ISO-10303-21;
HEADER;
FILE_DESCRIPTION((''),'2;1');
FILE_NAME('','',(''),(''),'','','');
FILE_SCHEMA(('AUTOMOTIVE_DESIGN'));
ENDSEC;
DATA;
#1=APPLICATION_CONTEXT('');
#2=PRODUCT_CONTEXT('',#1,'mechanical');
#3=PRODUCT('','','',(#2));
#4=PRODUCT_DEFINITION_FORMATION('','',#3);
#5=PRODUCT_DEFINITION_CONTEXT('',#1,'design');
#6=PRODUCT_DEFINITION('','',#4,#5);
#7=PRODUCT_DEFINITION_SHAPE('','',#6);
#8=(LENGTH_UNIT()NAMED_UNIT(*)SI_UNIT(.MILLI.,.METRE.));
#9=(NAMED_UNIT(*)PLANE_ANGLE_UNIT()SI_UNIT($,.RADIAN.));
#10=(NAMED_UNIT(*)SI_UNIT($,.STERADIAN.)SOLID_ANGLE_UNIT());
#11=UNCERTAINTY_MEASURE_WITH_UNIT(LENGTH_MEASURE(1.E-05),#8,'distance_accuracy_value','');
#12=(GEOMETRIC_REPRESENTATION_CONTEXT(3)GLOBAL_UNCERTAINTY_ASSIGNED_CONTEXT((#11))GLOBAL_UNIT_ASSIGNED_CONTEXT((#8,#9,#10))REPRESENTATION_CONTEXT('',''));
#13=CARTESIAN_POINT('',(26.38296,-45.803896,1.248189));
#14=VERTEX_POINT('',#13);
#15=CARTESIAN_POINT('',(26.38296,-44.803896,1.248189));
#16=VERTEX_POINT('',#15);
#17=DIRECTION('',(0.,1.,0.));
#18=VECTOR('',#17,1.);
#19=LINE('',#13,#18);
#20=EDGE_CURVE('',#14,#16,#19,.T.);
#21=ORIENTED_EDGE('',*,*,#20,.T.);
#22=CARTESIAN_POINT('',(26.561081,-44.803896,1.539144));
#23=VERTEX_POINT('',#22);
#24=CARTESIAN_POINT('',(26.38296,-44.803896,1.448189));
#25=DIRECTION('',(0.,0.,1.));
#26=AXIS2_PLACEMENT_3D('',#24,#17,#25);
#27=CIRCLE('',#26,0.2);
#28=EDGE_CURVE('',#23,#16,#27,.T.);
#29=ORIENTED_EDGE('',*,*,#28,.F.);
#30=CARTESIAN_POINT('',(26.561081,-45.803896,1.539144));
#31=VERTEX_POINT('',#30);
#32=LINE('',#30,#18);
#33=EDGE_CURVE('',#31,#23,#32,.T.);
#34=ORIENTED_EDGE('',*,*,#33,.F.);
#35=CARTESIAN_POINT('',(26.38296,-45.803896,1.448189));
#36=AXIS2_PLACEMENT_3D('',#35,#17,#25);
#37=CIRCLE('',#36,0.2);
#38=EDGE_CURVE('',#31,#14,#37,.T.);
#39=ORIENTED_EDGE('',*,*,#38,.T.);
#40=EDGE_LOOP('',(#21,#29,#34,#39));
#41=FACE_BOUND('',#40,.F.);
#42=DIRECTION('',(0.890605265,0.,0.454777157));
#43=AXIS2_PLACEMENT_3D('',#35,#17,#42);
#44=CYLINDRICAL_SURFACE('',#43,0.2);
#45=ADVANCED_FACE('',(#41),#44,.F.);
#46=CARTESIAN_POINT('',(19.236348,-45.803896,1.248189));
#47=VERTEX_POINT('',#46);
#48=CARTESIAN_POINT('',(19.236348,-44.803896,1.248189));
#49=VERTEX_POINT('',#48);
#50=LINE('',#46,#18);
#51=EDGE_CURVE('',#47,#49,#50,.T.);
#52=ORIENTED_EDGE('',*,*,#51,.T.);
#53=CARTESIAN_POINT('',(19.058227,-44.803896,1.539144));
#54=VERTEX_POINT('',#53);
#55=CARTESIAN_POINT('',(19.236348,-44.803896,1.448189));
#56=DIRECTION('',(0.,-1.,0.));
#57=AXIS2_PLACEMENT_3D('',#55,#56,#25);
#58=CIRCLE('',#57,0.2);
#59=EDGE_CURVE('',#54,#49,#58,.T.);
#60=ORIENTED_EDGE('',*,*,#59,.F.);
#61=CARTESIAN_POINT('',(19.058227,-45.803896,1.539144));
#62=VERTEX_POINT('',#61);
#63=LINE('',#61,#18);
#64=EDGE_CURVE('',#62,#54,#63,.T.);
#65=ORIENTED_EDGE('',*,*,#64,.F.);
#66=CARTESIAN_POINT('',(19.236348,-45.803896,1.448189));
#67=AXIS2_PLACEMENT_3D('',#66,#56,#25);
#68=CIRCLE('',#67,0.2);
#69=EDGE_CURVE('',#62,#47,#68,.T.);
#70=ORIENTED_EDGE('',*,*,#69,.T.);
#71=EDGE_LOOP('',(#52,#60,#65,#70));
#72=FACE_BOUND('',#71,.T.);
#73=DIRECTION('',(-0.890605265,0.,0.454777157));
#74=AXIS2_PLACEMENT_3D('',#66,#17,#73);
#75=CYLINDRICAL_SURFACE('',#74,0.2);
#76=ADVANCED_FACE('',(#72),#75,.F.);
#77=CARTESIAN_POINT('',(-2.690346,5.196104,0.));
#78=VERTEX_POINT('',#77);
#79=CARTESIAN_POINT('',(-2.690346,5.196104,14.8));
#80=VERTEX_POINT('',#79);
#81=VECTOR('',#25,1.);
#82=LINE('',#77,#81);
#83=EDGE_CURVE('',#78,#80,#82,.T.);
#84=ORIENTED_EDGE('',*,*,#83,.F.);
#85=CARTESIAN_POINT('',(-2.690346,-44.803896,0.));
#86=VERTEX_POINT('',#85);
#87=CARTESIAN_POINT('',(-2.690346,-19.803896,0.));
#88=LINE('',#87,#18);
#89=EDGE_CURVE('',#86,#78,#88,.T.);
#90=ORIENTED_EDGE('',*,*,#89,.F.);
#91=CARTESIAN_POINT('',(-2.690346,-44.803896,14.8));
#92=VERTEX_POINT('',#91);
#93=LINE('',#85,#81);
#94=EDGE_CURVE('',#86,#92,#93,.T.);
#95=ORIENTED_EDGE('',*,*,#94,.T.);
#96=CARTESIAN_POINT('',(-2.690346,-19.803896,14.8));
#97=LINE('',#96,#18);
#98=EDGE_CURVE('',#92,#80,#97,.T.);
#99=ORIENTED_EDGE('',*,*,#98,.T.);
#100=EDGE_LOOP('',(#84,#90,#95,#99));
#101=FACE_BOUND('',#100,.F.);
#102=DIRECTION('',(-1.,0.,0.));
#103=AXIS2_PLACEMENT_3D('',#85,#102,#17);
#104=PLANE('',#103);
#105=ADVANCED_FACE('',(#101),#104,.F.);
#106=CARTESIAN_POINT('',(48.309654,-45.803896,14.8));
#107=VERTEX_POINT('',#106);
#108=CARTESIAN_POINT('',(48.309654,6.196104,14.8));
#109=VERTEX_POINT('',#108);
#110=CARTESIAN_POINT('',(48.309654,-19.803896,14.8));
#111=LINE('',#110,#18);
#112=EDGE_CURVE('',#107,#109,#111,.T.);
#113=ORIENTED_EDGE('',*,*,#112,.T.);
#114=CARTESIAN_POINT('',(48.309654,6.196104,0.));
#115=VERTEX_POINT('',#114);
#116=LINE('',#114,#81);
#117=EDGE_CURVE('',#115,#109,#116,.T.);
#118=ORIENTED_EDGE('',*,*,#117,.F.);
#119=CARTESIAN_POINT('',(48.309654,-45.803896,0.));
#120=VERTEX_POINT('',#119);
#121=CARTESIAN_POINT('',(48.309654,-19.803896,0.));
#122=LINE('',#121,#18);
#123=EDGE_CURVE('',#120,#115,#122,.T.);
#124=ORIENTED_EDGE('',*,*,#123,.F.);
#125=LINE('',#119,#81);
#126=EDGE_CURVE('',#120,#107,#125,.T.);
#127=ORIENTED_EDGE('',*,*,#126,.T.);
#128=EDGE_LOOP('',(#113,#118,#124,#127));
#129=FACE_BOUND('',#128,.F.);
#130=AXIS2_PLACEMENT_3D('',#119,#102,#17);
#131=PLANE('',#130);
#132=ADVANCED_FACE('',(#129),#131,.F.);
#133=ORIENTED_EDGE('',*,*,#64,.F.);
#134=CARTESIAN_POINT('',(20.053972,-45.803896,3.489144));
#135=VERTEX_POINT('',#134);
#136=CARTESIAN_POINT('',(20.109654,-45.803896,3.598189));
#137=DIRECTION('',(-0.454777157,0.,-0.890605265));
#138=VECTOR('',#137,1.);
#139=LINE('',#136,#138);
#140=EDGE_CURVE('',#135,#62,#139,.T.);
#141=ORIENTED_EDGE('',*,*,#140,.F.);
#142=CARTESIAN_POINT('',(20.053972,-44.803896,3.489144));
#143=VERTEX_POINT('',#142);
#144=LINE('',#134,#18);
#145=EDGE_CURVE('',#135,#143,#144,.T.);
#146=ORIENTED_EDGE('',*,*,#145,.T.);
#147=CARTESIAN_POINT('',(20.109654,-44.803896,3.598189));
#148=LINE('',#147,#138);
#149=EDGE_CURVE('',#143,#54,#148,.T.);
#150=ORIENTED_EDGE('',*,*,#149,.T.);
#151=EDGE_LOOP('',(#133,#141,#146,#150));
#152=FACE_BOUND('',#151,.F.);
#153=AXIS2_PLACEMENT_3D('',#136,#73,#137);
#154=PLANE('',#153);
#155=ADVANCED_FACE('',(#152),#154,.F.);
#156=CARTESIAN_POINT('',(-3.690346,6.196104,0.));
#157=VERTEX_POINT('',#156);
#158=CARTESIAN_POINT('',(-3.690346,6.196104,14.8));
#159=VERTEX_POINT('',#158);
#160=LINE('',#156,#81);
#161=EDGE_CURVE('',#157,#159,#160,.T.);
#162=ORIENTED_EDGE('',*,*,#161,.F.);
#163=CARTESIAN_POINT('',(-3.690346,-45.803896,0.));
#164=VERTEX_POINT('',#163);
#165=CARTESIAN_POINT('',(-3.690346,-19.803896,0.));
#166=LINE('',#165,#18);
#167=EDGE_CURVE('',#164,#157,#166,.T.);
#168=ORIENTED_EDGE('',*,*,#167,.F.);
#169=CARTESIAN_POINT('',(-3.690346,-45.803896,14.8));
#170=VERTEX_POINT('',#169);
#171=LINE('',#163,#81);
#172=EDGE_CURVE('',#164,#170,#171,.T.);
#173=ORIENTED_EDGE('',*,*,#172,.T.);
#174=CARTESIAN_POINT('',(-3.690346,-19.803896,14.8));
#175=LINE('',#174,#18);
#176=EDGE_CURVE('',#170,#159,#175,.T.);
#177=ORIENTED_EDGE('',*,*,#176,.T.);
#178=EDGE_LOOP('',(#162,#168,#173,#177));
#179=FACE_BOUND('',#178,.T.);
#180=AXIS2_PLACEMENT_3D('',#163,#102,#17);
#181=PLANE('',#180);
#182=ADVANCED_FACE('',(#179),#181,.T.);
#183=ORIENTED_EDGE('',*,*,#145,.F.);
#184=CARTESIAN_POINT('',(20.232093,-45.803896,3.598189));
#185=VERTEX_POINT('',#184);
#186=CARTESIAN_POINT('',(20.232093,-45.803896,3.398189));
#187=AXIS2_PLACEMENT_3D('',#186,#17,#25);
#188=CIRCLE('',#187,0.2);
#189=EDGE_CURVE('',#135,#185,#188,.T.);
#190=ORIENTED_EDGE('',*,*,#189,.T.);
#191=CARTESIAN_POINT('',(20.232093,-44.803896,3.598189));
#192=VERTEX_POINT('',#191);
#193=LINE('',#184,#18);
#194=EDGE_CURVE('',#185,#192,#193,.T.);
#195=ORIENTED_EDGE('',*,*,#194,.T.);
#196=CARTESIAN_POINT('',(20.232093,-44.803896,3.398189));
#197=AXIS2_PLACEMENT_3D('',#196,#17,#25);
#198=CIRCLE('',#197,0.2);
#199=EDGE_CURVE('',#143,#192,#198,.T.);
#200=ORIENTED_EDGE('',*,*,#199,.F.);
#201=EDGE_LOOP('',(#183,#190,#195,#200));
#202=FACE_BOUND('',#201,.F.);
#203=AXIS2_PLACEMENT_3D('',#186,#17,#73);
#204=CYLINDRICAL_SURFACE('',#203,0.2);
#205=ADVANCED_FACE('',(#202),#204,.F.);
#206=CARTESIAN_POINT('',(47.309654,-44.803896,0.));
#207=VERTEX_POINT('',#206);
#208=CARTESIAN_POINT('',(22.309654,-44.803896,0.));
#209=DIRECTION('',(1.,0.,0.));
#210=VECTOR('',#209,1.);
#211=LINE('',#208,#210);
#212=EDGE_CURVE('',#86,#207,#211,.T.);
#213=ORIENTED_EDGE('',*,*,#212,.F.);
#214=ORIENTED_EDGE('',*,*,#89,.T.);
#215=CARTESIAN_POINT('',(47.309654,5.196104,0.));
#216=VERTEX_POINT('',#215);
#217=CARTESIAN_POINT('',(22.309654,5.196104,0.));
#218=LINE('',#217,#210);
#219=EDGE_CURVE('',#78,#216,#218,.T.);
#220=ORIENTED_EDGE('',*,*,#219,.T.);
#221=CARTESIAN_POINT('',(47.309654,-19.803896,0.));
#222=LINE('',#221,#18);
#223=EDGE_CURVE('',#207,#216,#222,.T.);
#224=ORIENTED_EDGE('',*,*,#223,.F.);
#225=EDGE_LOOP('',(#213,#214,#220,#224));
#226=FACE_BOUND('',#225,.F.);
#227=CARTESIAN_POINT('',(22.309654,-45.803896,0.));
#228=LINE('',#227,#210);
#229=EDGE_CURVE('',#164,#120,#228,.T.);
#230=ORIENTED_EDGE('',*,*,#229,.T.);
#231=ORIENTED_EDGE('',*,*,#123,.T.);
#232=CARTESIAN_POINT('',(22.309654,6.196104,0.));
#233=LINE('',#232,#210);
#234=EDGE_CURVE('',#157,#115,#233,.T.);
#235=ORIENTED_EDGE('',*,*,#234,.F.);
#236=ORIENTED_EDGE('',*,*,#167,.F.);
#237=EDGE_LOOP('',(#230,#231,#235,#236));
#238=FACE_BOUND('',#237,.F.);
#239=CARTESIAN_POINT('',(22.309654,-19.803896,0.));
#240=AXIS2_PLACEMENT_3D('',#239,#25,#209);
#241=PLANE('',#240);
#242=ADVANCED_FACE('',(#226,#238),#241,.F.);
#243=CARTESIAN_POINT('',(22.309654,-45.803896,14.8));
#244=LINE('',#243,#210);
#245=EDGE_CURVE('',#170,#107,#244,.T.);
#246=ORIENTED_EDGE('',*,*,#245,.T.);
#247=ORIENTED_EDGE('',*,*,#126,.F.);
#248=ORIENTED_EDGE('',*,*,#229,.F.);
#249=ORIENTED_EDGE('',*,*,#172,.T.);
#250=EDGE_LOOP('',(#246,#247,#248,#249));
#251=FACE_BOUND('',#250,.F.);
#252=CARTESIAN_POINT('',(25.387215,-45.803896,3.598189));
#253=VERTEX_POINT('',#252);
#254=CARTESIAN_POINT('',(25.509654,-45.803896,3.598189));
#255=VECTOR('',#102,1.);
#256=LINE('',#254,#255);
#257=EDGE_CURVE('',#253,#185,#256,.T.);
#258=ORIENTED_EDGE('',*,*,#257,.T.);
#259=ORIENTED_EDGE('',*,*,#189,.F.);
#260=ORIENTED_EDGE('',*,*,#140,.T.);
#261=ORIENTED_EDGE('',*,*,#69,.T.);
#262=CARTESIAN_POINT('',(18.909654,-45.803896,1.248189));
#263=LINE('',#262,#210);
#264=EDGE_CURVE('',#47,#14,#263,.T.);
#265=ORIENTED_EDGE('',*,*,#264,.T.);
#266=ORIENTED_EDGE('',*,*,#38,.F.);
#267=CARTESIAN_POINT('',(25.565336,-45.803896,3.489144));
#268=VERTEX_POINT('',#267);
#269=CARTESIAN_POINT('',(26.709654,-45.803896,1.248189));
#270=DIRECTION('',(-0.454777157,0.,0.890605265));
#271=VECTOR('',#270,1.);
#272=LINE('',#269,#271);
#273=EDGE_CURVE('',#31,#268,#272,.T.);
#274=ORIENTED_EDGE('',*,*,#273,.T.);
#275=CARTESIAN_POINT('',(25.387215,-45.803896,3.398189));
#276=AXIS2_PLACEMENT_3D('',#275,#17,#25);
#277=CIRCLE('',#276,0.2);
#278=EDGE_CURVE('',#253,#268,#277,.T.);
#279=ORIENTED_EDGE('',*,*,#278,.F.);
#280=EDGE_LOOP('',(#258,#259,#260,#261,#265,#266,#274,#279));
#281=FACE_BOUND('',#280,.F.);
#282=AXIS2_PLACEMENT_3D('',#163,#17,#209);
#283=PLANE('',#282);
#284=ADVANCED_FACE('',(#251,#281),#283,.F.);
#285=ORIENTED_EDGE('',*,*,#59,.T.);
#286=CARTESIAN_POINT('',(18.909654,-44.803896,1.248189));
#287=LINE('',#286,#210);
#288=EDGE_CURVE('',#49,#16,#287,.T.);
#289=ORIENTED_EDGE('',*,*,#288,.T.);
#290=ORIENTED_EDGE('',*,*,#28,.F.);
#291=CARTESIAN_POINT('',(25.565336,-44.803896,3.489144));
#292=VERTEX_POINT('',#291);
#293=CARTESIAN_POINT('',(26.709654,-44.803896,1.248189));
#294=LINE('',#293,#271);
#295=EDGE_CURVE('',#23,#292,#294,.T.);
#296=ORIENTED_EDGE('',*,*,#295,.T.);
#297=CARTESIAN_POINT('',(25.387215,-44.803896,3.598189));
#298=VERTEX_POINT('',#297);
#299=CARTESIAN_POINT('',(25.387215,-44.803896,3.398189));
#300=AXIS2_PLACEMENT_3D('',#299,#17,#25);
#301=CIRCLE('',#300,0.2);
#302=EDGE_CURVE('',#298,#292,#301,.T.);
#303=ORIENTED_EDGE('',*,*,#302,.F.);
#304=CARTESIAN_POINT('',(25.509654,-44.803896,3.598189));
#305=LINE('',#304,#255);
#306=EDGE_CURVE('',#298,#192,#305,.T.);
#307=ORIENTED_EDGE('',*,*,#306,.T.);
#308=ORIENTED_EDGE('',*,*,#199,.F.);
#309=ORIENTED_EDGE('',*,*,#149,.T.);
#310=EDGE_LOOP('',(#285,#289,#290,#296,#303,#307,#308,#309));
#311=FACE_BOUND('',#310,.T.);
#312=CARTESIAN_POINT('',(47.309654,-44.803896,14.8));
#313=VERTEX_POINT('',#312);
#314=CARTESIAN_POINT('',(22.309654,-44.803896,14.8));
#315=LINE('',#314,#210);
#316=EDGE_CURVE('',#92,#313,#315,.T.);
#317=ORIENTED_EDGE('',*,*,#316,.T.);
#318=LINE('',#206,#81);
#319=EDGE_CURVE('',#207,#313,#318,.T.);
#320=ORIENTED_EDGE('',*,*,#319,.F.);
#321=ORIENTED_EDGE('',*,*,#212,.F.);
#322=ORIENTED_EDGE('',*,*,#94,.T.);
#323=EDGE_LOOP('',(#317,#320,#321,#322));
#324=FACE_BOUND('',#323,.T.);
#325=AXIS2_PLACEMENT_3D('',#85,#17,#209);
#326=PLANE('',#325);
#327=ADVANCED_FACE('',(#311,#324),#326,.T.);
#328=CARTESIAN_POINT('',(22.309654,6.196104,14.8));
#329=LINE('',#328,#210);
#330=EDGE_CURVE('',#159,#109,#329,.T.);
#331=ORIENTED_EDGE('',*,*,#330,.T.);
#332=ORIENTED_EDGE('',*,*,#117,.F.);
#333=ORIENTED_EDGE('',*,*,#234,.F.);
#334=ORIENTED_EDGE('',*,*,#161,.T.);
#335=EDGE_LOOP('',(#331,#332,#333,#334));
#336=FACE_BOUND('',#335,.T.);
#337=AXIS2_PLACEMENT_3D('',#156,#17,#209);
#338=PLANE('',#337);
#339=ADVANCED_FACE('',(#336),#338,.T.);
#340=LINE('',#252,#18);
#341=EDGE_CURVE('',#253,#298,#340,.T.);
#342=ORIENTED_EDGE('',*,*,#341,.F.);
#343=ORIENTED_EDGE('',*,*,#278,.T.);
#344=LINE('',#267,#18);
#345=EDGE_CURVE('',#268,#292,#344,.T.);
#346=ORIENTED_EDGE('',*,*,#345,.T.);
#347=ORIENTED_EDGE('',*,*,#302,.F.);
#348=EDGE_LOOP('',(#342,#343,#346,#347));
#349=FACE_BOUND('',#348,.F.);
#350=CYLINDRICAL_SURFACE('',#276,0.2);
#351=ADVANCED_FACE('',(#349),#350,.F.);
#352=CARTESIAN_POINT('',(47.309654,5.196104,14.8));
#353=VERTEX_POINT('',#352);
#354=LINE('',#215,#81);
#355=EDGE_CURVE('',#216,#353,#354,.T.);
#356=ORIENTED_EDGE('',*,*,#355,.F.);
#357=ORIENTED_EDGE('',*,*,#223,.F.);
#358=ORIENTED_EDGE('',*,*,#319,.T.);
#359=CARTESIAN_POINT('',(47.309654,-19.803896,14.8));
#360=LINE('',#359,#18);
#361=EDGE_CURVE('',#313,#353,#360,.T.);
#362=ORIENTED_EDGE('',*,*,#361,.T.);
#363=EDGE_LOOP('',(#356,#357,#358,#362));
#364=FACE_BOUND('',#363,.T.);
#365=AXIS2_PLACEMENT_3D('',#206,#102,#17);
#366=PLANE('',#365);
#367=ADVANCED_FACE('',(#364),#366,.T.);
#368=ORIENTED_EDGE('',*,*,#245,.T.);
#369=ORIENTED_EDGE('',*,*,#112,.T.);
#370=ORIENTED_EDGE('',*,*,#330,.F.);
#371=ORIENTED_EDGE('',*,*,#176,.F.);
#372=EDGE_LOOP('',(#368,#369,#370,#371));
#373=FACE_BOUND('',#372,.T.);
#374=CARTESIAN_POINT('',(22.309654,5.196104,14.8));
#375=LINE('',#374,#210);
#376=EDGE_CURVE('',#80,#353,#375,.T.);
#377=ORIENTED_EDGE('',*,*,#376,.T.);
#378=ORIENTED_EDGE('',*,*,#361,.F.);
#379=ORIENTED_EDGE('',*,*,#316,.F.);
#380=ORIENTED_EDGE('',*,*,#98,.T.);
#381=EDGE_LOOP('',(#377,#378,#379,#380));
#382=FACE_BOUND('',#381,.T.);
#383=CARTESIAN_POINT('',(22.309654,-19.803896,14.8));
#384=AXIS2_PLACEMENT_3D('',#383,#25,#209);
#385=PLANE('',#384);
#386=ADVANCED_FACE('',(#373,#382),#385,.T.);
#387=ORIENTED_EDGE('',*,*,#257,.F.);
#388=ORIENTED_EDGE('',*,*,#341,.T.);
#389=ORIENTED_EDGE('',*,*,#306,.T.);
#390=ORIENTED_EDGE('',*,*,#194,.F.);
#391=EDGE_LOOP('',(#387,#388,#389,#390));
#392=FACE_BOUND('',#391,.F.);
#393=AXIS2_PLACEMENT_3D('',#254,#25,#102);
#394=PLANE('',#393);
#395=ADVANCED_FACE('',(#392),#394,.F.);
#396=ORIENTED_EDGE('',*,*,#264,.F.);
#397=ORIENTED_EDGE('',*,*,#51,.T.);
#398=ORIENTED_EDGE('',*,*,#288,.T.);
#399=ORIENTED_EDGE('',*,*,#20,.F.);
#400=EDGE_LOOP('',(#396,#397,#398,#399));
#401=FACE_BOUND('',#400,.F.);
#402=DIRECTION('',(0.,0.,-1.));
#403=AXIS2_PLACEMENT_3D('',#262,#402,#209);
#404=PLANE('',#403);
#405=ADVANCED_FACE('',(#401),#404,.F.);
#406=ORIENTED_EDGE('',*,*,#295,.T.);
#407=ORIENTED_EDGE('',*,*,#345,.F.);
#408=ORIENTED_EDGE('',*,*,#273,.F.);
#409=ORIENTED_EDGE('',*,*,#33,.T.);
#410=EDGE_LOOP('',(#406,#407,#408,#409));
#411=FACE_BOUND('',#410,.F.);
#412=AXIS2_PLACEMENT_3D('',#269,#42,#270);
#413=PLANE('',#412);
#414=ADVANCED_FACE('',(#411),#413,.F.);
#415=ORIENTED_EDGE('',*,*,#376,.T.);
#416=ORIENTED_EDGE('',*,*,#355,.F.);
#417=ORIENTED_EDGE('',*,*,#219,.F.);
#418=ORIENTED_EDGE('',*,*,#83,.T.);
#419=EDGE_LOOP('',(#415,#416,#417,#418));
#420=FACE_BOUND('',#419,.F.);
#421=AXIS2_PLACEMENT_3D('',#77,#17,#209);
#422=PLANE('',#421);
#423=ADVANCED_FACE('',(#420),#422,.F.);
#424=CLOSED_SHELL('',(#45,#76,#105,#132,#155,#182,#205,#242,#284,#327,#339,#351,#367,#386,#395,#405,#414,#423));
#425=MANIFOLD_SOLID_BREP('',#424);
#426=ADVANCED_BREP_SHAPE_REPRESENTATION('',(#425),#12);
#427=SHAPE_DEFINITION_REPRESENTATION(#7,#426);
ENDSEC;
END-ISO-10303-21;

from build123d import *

# Parameters (mm, degrees)
F0_W     = 52
F0_H     = 52
F0_W_2   = 50
F0_H_2   = 50
F4_DEPTH = 14.8
F2_DEPTH = 1
F3_R     = 0.2


with BuildPart() as f4:
    # F0 (on Top) → F4 (new body)
    with BuildSketch(Plane.XY):
        with Locations((22.309654, -19.803896)):
            Rectangle(F0_W, F0_H)
        with Locations((22.309654, -19.803896)):
            Rectangle(F0_W_2, F0_H_2, mode=Mode.SUBTRACT)
    extrude(amount=F4_DEPTH)

    # F1 (on face) → F2 (cut, through all)
    with BuildSketch(Plane.XZ.offset(45.803896)):
        Polygon((18.909654, 1.248189), (22.309654, 1.248189), (26.709654, 1.248189), (25.509654, 3.598189), (22.809654, 3.598189), (20.109654, 3.598189), align=None)
    extrude(amount=-F2_DEPTH, mode=Mode.SUBTRACT)

    # F3
    f3_edges = [f4.edges().sort_by_distance(p)[0] for p in [
        (18.909654, -45.303896, 1.248189),
        (26.709654, -45.303896, 1.248189),
        (25.509654, -45.303896, 3.598189),
        (20.109654, -45.303896, 3.598189),
    ]]
    fillet(f3_edges, radius=F3_R)


solid = f4.part
